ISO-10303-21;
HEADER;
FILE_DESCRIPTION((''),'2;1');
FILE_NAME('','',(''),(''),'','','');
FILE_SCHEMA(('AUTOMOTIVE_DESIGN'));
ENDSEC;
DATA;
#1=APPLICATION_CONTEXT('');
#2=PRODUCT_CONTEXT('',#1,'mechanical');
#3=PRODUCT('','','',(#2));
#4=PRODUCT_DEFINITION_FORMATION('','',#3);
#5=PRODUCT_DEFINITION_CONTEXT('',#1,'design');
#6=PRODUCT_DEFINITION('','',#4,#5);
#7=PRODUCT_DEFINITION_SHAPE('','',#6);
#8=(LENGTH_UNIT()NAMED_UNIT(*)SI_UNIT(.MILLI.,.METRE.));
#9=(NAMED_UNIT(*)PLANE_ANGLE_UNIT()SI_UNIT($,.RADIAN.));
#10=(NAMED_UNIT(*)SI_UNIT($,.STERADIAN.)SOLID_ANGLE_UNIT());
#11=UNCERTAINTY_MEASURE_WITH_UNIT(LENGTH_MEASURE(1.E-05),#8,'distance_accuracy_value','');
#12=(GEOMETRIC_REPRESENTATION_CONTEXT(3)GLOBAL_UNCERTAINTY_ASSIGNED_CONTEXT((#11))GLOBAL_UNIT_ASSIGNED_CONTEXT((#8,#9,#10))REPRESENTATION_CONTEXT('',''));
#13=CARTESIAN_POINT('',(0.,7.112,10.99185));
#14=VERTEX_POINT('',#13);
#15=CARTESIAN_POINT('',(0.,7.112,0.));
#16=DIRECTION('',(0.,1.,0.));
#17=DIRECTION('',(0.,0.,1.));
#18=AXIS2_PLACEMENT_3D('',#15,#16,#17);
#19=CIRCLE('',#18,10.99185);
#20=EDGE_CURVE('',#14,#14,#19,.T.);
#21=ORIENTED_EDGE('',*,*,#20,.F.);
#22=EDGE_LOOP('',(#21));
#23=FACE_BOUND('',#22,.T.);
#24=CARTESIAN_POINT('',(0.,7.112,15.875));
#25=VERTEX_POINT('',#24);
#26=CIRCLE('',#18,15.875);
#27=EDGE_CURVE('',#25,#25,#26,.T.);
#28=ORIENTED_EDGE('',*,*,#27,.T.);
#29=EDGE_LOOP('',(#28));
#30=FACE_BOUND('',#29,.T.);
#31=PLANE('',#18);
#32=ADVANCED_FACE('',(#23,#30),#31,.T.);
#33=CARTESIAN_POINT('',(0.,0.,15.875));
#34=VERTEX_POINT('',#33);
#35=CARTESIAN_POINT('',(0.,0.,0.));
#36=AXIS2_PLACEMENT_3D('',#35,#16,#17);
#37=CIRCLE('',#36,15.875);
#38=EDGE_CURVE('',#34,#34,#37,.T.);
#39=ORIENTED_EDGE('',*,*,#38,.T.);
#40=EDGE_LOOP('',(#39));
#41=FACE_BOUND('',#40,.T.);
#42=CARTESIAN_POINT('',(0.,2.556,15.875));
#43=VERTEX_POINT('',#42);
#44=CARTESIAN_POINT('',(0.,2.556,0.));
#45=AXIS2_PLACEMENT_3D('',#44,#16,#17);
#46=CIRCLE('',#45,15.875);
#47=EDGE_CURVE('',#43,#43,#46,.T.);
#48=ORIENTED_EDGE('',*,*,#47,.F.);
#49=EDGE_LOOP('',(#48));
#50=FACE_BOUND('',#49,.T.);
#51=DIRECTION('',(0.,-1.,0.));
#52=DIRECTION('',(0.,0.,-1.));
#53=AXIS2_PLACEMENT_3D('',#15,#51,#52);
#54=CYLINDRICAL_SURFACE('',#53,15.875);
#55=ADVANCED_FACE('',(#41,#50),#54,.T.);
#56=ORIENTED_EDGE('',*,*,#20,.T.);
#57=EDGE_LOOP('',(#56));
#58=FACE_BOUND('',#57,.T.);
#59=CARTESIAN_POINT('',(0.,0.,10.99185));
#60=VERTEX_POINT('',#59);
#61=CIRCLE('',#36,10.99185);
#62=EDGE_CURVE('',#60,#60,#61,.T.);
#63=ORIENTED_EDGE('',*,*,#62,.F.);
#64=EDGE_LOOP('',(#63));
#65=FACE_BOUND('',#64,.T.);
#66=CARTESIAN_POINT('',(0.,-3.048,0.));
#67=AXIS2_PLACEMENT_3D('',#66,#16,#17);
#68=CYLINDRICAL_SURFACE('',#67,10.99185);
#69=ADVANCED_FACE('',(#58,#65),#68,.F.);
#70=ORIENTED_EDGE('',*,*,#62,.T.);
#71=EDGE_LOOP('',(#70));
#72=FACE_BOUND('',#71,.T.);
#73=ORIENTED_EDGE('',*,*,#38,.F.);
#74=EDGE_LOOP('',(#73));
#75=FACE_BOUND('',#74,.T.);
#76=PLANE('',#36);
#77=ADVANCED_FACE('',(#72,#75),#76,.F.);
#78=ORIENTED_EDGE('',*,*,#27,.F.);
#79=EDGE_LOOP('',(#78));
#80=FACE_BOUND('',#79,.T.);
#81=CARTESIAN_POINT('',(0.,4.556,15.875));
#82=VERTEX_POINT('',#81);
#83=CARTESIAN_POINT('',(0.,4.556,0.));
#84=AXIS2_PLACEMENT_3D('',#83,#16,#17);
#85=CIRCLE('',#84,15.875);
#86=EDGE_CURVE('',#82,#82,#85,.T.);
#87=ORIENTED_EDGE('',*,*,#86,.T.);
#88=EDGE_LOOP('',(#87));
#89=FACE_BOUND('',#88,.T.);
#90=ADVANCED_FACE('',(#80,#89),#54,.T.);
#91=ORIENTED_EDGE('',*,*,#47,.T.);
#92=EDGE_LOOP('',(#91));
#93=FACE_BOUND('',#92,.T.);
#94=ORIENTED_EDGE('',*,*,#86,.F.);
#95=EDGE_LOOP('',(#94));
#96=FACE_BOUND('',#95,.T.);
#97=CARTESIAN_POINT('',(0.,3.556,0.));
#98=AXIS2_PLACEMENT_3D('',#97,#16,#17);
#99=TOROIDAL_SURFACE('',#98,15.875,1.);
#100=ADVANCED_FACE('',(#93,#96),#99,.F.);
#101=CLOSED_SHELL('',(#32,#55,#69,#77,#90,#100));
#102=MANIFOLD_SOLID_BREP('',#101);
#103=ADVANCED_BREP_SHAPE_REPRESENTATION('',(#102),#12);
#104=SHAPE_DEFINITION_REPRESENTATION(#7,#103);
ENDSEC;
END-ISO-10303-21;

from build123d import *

# Parameters (mm, degrees)
SKETCH1_R           = 15.875
BOSS_EXTRUDE1_DEPTH = 7.112
SKETCH3_R           = 10.99185
CUT_EXTRUDE1_DEPTH  = 10.16


with BuildPart() as part:
    # Sketch1 → Boss-Extrude1 (new body)
    with BuildSketch(Plane(origin=(0, 0, 0), x_dir=(1, 0, 0), z_dir=(0, 1, 0))):
        Circle(SKETCH1_R)
    extrude(amount=BOSS_EXTRUDE1_DEPTH)

    # Sketch2 → Cut-Revolve1 (revolve, cut)
    with BuildSketch(Plane.XY):
        with BuildLine():
            Line((-15.875, 4.556), (-15.875, 2.556))
            ThreePointArc((-15.875, 2.556), (-14.875, 3.556), (-15.875, 4.556))
        make_face()
    revolve(axis=Axis((0, 7.112, 0), (0, -1, 0)), mode=Mode.SUBTRACT)

    # Sketch3 → Cut-Extrude1 (cut)
    with BuildSketch(Plane(origin=(0, 7.112, 0), x_dir=(1, 0, 0), z_dir=(0, 1, 0))):
        Circle(SKETCH3_R)
    extrude(amount=-CUT_EXTRUDE1_DEPTH, mode=Mode.SUBTRACT)


solid = part.part
